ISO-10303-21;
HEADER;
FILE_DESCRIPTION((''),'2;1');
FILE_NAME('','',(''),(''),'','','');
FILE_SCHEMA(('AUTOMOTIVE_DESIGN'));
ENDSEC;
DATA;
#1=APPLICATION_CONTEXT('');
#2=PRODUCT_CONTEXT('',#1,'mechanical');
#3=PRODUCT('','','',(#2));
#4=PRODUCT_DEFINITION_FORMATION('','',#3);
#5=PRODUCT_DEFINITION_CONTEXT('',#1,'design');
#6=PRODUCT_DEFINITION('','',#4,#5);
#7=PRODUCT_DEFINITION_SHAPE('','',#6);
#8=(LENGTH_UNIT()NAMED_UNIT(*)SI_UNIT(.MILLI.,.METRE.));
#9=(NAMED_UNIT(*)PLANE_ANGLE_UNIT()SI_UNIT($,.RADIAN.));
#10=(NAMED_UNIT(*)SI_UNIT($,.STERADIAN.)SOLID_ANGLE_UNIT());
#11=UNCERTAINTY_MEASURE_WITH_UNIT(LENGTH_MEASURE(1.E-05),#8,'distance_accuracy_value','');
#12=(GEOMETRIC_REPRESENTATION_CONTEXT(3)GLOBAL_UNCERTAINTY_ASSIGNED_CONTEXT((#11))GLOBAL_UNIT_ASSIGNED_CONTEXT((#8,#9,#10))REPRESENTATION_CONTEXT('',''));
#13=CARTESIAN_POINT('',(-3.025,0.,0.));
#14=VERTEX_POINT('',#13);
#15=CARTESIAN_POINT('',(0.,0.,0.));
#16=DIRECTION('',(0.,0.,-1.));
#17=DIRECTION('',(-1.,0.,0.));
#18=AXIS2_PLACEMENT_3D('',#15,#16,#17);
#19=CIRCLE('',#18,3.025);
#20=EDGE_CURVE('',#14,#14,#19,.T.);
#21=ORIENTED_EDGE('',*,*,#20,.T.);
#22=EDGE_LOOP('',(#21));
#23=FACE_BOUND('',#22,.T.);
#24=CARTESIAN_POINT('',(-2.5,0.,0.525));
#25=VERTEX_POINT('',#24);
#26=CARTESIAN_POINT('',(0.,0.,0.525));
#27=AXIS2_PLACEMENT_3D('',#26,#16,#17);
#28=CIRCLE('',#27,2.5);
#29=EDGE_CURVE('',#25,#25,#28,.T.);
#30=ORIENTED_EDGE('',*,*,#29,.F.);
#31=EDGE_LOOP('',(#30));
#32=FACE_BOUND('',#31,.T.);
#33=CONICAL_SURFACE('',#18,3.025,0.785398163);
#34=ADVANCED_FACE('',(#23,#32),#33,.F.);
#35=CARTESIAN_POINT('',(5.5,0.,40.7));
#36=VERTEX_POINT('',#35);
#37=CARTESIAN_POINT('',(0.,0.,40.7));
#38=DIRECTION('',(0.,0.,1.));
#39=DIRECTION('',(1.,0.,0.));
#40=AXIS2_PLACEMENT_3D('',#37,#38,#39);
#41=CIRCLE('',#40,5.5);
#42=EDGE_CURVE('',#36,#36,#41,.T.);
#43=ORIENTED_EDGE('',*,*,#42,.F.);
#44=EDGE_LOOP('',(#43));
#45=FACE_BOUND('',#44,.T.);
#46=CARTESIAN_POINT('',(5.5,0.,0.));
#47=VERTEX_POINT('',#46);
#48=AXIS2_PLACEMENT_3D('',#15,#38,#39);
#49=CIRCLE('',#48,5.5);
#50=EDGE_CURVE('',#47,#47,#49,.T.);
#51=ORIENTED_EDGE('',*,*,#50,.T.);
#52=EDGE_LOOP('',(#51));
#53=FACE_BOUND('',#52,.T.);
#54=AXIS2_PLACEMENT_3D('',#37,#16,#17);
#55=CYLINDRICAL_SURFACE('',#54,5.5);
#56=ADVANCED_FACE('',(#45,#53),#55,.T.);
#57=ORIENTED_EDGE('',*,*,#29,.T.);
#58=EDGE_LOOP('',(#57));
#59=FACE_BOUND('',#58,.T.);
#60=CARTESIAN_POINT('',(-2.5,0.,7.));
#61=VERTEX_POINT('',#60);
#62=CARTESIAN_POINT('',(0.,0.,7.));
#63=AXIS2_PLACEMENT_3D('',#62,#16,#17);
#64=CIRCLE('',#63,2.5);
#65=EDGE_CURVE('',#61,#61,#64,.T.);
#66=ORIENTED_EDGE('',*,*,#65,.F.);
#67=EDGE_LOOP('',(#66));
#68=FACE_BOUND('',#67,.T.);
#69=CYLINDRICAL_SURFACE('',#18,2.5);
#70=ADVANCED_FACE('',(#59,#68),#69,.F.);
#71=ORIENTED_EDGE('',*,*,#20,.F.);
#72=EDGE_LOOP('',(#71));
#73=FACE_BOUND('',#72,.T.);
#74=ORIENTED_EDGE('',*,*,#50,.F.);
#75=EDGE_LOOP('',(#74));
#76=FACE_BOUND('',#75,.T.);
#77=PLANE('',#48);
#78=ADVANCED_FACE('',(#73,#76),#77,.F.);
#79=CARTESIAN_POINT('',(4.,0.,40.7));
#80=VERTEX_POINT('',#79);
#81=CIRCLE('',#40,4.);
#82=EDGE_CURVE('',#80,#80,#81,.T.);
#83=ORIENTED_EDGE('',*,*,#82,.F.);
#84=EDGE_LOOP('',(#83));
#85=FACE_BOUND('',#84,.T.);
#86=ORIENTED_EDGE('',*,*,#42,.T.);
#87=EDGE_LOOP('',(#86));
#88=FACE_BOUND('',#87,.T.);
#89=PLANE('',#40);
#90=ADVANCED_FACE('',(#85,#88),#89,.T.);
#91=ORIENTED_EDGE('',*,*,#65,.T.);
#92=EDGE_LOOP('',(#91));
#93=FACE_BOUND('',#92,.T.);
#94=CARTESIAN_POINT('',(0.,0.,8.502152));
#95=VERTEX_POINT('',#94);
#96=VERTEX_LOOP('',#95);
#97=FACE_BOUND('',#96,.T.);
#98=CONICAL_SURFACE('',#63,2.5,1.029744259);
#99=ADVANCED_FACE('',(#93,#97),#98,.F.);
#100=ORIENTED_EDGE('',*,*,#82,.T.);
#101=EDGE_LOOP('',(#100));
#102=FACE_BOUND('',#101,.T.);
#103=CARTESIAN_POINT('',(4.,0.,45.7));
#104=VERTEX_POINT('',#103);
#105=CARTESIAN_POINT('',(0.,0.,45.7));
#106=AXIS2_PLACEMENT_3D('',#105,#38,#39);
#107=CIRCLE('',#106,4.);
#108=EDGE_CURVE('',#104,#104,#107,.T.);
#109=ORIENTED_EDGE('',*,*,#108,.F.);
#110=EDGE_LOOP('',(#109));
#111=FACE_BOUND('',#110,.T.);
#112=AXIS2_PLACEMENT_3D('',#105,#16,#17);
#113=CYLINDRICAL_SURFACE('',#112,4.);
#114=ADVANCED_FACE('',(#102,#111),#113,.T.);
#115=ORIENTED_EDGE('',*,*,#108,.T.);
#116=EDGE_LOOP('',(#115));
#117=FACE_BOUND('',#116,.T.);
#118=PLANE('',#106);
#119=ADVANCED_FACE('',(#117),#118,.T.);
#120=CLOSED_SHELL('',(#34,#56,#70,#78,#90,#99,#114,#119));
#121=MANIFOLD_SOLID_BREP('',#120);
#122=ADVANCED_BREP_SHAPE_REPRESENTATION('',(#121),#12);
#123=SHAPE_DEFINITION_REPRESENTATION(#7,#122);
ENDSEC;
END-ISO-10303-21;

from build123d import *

# Parameters (mm, degrees)
SKETCH1_R                       = 5.5
BOSS_EXTRUDE1_DEPTH             = 40.7
SKETCH2_R                       = 4
BOSS_EXTRUDE2_DEPTH             = 5
M6X1_0_TAPPED_HOLE1_D           = 5
M6X1_0_TAPPED_HOLE1_DEPTH       = 7
M6X1_0_TAPPED_HOLE1_CSINK_D     = 6.05
M6X1_0_TAPPED_HOLE1_CSINK_ANGLE = 90
M6X1_0_TAPPED_HOLE1_TIP         = 1.502151548


with BuildPart() as part:
    # Sketch1 → Boss-Extrude1 (new body)
    with BuildSketch(Plane.XY):
        Circle(SKETCH1_R)
    extrude(amount=BOSS_EXTRUDE1_DEPTH)

    # Sketch2 → Boss-Extrude2 (add)
    with BuildSketch(Plane.XY.offset(40.7)):
        Circle(SKETCH2_R)
    extrude(amount=BOSS_EXTRUDE2_DEPTH)

    # M6x1.0 Tapped Hole1
    with Locations(Plane(origin=(0, 0, 0), x_dir=(-1, 0, 0), z_dir=(0, 0, -1))):
        with Locations((0, 0)):
            CounterSinkHole(M6X1_0_TAPPED_HOLE1_D / 2, M6X1_0_TAPPED_HOLE1_CSINK_D / 2, depth=M6X1_0_TAPPED_HOLE1_DEPTH, counter_sink_angle=M6X1_0_TAPPED_HOLE1_CSINK_ANGLE)
            with Locations((0, 0, -(M6X1_0_TAPPED_HOLE1_DEPTH + M6X1_0_TAPPED_HOLE1_TIP / 2))):  # 118° drill point
                Cone(0, M6X1_0_TAPPED_HOLE1_D / 2, M6X1_0_TAPPED_HOLE1_TIP, mode=Mode.SUBTRACT)


solid = part.part
